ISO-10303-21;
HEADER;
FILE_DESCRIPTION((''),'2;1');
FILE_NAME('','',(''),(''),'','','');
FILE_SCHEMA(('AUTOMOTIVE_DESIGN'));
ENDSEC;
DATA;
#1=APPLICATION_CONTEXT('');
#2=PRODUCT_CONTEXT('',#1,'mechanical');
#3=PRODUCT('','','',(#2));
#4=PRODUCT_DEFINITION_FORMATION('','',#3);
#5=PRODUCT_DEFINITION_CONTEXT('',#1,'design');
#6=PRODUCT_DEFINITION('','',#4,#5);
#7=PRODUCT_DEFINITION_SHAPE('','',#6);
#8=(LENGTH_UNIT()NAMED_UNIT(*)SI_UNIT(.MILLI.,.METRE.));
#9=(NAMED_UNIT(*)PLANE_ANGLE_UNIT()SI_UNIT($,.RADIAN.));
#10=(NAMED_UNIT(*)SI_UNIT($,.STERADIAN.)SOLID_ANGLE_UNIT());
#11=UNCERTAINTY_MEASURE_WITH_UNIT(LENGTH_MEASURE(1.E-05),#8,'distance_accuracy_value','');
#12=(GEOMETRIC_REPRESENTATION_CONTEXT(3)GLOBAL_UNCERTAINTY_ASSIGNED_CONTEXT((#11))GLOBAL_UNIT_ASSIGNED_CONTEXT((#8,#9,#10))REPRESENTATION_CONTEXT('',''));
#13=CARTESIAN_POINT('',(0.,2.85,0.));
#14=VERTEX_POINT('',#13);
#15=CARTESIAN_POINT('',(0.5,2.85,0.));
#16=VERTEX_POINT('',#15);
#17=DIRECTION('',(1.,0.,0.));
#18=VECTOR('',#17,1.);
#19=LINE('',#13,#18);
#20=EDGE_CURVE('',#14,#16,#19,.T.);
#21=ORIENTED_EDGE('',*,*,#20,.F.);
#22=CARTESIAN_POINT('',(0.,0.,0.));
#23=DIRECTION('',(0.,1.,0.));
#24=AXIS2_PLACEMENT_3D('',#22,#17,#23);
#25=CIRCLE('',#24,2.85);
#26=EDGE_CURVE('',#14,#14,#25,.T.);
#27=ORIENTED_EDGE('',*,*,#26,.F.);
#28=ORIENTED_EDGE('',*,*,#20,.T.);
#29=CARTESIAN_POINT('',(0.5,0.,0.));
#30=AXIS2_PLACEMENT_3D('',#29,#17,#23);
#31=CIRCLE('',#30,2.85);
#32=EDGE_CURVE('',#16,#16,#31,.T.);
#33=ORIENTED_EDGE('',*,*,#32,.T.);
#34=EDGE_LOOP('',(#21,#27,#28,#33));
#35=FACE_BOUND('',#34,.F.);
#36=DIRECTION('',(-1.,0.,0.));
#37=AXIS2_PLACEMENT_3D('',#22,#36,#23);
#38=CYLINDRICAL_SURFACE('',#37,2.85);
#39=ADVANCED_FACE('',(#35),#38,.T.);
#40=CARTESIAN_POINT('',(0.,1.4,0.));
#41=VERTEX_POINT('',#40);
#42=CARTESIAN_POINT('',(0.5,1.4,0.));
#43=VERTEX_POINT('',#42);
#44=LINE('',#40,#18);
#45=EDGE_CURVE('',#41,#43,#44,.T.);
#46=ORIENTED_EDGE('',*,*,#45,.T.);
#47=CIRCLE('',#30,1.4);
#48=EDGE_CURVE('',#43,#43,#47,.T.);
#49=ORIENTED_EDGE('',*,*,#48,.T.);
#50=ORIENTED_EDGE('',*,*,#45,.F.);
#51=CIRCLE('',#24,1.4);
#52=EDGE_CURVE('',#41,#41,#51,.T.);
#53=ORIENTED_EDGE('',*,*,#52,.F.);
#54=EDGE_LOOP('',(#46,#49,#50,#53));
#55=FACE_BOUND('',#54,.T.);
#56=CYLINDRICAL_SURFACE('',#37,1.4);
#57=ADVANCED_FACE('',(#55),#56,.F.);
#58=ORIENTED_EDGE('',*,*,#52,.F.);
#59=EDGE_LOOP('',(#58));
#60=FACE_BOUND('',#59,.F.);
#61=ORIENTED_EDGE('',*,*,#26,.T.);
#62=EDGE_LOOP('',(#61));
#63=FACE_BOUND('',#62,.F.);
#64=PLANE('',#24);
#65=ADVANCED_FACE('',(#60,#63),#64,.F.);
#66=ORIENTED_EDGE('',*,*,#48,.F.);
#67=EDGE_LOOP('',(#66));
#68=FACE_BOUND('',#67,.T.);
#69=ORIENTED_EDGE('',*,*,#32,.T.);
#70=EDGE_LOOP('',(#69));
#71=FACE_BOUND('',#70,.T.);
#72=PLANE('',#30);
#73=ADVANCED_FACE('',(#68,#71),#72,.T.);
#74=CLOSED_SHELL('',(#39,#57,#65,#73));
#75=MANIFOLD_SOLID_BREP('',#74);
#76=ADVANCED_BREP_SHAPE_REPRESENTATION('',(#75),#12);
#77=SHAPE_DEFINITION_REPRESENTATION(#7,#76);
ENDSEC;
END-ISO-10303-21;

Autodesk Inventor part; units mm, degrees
ref_plane "YZ Plane" through (0, 0, 0) normal (1, 0, 0) x (0, 1, 0)
ref_plane "XZ Plane" through (0, 0, 0) normal (0, 1, 0) x (-1, 0, 0)
sketch "Sketch" plane through (0, 0, 0) normal (1, 0, 0) x (0, 1, 0)
  circle A0 centre (0, 0) radius 2.85
  circle A1 centre (0, 0) radius 1.4
  dimension "d0" = 2.8
  dimension "d1" = 5.7
extrude "Body" add sketch "Sketch" along normal blind 0.5
ref_plane "Work Plane1" through (0, 0, 0) normal (0, 0, 1) x (1, 0, 0)
equation "\"d0\" = SD1"
equation "\"d1\" = SD2"
equation "\"d2\" = SD"
equation "\"SD1\" = 2.8"
equation "\"SD2\" = 5.7"
equation "\"SD\" = 0.5"
equation "\"NND\" = 2.6"
properties part number "DIN 125 - A 2.8" material "Steel, Mild"
